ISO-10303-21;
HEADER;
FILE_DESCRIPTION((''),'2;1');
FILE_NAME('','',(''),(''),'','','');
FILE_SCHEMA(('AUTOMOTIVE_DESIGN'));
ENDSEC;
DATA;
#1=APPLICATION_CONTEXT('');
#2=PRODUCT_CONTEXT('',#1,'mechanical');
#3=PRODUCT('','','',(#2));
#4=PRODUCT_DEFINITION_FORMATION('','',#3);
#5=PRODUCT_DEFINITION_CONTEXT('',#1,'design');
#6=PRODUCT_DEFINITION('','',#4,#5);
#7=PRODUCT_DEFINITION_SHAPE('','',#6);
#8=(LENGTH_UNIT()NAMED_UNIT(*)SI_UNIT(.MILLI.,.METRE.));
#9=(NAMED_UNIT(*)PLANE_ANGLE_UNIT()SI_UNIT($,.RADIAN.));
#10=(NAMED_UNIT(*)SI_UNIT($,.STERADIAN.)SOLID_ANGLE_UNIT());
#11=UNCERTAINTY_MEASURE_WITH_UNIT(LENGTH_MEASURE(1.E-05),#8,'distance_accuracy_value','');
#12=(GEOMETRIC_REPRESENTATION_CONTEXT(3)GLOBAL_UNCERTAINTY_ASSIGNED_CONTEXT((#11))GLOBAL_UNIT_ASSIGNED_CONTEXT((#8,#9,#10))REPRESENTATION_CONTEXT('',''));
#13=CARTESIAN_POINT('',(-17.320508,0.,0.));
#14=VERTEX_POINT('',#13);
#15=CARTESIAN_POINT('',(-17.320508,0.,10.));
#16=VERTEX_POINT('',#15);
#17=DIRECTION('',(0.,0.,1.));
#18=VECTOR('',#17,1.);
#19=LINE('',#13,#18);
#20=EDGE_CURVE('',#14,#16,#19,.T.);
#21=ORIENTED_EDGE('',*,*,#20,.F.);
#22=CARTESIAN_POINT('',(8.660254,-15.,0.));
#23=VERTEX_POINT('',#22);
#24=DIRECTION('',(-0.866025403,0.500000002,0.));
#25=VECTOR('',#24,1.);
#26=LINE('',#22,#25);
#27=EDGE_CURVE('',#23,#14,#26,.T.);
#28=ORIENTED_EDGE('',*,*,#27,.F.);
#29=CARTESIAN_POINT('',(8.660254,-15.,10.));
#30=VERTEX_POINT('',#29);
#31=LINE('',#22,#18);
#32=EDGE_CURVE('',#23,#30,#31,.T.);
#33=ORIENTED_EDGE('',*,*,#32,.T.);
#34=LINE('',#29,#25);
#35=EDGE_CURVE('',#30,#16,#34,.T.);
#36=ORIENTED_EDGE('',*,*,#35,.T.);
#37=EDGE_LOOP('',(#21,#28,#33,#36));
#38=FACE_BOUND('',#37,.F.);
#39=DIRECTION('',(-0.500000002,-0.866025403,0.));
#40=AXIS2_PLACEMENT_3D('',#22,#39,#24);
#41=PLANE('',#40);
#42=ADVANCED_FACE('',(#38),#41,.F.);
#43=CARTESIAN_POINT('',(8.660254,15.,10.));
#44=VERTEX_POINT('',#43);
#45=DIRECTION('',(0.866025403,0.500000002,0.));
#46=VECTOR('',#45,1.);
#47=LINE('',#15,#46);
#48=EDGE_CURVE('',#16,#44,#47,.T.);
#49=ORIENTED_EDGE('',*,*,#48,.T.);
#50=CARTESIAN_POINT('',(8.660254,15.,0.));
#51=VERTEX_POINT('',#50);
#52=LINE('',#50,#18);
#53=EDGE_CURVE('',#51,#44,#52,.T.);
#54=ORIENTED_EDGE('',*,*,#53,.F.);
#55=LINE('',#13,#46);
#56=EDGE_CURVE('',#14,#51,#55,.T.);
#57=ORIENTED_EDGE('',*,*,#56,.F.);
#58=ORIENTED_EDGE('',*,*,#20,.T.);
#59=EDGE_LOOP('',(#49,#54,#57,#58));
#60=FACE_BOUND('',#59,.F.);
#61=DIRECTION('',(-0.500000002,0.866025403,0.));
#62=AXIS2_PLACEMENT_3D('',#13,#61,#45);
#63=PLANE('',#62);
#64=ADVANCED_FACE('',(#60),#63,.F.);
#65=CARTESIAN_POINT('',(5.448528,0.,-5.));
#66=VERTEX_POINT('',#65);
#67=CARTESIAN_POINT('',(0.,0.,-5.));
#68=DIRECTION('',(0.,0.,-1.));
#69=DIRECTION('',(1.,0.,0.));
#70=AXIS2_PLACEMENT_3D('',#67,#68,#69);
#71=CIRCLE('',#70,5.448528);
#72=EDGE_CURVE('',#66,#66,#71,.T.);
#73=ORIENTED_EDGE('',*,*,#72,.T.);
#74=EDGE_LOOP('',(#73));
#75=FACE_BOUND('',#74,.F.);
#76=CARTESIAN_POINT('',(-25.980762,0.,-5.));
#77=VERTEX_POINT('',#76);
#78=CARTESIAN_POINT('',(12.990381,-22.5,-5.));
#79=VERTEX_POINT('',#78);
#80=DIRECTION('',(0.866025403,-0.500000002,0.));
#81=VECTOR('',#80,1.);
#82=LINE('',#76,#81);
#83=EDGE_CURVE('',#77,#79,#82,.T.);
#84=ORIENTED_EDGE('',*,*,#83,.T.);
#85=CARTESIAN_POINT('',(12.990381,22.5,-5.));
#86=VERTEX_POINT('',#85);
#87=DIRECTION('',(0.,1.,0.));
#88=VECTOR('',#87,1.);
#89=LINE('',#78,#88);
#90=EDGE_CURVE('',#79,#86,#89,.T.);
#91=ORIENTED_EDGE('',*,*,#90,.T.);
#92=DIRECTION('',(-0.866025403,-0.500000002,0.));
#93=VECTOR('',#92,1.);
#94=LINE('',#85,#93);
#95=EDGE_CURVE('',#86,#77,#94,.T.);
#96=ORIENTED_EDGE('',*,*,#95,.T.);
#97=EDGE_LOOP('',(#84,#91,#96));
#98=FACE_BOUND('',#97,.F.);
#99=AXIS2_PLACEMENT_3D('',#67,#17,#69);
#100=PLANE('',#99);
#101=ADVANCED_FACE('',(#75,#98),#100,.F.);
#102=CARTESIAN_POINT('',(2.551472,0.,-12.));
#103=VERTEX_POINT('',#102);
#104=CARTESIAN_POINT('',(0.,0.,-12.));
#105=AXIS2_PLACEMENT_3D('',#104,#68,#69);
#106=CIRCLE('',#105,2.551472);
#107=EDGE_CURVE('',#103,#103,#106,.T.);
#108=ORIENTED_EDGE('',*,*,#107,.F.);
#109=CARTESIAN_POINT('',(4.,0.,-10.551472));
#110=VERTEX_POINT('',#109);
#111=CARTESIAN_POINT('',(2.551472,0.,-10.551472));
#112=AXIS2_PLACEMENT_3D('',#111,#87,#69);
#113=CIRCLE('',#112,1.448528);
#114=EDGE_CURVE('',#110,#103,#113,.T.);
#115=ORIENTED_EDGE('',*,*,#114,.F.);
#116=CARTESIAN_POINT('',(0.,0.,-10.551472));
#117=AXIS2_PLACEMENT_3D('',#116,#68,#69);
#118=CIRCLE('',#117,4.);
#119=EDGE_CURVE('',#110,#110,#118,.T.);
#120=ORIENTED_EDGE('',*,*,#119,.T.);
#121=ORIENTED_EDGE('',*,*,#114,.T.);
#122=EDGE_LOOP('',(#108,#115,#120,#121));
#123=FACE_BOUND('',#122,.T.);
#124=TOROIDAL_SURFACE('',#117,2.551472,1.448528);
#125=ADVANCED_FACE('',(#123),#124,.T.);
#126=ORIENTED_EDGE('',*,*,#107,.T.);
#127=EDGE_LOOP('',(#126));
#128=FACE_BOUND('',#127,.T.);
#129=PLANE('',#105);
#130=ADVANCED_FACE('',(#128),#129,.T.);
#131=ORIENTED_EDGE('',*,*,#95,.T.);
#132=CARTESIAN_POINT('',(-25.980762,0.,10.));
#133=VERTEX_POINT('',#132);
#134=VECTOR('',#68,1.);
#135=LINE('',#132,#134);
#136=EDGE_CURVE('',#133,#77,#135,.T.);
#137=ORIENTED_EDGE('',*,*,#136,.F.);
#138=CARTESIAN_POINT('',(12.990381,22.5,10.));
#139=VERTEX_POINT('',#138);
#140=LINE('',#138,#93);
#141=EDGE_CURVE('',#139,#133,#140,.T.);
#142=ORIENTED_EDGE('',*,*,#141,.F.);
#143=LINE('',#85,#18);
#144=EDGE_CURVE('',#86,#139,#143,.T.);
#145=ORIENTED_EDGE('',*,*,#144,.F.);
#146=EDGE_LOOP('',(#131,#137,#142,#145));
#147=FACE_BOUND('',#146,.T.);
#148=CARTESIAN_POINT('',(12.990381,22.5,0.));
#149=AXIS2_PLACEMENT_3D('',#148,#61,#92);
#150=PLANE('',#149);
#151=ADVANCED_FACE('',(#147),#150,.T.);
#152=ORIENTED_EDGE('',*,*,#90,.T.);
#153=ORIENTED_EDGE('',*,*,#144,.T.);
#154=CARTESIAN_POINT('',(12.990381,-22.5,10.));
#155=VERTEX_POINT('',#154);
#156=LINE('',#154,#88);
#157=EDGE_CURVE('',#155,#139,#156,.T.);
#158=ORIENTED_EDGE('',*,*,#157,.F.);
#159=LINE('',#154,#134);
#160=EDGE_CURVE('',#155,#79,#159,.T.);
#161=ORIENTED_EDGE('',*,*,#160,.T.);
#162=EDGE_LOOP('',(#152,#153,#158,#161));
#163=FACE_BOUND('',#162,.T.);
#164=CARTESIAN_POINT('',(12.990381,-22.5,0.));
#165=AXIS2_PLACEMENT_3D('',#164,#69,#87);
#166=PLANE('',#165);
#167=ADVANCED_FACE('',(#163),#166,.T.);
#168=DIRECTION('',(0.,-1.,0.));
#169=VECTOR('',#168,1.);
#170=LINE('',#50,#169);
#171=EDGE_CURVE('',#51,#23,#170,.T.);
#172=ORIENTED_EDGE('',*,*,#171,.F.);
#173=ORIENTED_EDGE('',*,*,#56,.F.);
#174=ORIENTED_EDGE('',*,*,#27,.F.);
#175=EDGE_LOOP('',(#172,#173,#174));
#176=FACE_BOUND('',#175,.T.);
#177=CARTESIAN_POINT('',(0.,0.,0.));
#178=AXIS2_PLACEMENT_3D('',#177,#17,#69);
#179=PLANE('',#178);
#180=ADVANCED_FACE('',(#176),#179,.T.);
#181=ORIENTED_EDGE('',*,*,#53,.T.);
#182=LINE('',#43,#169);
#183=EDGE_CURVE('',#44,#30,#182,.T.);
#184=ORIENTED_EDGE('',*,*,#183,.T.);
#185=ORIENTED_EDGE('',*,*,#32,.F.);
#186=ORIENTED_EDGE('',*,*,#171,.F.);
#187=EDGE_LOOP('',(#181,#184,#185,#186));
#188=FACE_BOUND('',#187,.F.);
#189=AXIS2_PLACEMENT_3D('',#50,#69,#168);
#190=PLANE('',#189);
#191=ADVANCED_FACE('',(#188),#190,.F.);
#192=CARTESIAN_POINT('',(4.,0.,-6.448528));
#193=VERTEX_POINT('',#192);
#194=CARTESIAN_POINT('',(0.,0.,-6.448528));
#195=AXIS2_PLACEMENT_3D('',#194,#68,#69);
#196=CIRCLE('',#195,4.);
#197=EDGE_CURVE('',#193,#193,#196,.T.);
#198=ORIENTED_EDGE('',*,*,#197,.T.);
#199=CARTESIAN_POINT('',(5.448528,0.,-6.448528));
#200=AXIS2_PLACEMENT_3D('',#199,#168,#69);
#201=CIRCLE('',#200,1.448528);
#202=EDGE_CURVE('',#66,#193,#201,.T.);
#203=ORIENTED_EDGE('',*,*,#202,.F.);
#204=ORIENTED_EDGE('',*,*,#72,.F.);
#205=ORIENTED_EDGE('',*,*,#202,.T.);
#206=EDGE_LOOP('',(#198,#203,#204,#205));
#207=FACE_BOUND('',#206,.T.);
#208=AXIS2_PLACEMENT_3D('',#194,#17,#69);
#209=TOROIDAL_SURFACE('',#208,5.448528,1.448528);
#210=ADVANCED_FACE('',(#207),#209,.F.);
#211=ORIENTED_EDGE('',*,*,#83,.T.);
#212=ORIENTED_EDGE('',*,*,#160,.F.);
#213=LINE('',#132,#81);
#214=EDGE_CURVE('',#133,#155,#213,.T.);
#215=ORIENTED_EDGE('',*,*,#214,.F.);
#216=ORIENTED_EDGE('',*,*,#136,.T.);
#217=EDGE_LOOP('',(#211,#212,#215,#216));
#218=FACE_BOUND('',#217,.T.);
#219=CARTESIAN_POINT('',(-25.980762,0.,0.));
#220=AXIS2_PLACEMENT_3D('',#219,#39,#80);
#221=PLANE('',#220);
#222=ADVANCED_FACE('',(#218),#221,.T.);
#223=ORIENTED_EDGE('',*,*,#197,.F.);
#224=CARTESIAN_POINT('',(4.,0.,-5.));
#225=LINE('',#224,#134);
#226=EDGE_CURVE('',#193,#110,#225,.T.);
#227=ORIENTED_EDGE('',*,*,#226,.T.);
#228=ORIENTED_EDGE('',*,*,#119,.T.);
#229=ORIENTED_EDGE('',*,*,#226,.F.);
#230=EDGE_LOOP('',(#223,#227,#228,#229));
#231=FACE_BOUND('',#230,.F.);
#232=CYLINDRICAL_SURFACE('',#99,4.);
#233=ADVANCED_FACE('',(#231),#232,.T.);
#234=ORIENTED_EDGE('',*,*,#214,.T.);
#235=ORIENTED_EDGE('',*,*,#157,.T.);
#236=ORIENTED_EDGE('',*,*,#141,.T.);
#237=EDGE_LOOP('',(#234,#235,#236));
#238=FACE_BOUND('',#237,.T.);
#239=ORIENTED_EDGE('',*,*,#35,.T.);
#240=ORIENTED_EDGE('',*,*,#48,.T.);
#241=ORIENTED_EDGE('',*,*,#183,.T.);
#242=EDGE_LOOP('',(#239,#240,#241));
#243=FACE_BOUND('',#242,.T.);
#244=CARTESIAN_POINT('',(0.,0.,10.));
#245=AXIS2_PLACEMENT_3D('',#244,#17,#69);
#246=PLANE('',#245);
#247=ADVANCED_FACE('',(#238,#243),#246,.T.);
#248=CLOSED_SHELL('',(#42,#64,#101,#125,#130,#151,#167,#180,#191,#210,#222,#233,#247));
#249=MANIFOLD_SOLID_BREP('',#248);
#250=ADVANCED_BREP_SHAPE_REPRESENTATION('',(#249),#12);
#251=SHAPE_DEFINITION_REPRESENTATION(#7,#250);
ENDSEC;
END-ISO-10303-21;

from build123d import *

# Parameters (mm, degrees)
F1_DEPTH = 10
F2_DEPTH = 5
F3_R     = 4
F4_DEPTH = 7
F5_R     = 1.448528


with BuildPart() as f1:
    # F0 (on Top) → F1 (new body)
    with BuildSketch(Plane.XY):
        Polygon((12.990381, -22.5), (12.990381, 22.5), (-25.980762, 0), align=None)
        Polygon((-17.320508, 0), (8.660254, 15), (8.660254, -15), align=None, mode=Mode.SUBTRACT)
    extrude(amount=F1_DEPTH)

    # F0 (on Top) → F2 (join)
    with BuildSketch(Plane.XY):
        Polygon((12.990381, -22.5), (12.990381, 22.5), (-25.980762, 0), align=None)
        Polygon((-17.320508, 0), (8.660254, 15), (8.660254, -15), align=None, mode=Mode.SUBTRACT)
        Polygon((8.660254, -15), (8.660254, 15), (-17.320508, 0), align=None)
    extrude(amount=-F2_DEPTH)

    # F3 (on face) → F4 (join)
    with BuildSketch(Plane(origin=(0, 0, -5), x_dir=(1, 0, 0), z_dir=(0, 0, -1))):
        Circle(F3_R)
    extrude(amount=F4_DEPTH)

    # F5
    f5_edges = [f1.edges().sort_by_distance(p)[0] for p in [
        (4, 0, -8.5),
        (-4, 0, -5),
        (-4, 0, -12),
    ]]
    fillet(f5_edges, radius=F5_R)


solid = f1.part
